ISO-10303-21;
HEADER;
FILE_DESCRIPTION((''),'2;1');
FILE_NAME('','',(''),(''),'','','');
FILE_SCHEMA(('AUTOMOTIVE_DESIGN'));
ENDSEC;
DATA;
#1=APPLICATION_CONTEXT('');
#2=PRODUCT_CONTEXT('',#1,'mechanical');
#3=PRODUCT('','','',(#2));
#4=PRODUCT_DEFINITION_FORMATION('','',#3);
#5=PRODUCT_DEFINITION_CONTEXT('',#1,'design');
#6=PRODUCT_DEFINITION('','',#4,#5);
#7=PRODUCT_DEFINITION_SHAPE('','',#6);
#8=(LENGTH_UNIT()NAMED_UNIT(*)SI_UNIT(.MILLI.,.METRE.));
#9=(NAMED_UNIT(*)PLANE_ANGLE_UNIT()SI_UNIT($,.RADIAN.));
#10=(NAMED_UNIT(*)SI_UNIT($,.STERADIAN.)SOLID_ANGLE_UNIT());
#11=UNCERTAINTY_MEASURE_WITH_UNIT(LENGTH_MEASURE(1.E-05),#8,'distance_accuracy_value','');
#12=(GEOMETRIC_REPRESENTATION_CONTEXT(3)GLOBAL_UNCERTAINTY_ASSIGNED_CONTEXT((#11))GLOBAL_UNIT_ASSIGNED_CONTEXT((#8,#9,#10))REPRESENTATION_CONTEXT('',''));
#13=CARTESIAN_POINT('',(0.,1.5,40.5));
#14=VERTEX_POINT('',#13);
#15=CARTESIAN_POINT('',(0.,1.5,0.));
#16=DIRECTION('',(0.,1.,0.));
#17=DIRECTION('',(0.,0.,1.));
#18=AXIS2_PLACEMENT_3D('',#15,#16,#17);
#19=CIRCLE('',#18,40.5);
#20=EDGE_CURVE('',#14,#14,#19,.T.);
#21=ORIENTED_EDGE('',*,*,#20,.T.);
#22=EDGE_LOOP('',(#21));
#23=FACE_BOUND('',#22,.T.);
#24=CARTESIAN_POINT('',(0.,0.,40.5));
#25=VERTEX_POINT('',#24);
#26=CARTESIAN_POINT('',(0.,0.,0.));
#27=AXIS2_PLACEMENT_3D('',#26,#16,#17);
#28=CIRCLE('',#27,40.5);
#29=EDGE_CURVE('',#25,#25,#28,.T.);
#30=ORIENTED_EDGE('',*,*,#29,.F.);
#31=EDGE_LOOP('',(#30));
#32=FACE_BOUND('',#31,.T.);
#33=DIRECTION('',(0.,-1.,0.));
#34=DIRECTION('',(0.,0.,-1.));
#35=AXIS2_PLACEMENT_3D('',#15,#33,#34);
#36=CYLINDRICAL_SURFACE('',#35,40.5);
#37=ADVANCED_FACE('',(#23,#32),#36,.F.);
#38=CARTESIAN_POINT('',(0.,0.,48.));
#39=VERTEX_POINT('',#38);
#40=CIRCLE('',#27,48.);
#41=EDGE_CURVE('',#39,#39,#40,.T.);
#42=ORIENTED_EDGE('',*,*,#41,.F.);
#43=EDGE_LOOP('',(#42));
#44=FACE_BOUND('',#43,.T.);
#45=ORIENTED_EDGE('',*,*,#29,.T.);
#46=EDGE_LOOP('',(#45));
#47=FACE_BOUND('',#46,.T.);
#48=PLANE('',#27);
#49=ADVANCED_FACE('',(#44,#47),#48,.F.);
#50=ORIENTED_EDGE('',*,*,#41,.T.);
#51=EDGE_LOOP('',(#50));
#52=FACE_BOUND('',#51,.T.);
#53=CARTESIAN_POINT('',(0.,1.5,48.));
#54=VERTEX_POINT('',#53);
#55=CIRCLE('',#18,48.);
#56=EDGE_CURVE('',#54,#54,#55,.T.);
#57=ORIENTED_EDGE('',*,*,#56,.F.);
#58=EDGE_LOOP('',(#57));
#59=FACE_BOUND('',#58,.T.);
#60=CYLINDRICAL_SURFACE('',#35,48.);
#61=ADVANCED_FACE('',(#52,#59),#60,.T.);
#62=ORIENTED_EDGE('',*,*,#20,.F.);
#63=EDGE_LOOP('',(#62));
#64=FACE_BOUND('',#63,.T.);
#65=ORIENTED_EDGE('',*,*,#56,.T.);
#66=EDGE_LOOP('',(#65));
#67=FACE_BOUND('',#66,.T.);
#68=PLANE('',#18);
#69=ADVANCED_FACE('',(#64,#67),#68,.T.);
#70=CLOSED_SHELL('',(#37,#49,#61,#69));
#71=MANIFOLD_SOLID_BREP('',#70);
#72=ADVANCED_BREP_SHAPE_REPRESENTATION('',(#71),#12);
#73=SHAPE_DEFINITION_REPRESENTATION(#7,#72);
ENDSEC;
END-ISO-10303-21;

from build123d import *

# Parameters (mm, degrees)
ESBO_O1_R                = 48
ESBO_O1_R_2              = 40.5
RESSALTO_EXTRUS_O1_DEPTH = 1.5


with BuildPart() as part:
    # Esboço1 → Ressalto-extrusão1 (new body)
    with BuildSketch(Plane(origin=(0, 0, 0), x_dir=(1, 0, 0), z_dir=(0, 1, 0))):
        with Locations(Location((0, 0, 0), (0, 0, 270))):
            Circle(ESBO_O1_R)
        with Locations(Location((0, 0, 0), (0, 0, 270))):
            Circle(ESBO_O1_R_2, mode=Mode.SUBTRACT)
    extrude(amount=RESSALTO_EXTRUS_O1_DEPTH)


solid = part.part
